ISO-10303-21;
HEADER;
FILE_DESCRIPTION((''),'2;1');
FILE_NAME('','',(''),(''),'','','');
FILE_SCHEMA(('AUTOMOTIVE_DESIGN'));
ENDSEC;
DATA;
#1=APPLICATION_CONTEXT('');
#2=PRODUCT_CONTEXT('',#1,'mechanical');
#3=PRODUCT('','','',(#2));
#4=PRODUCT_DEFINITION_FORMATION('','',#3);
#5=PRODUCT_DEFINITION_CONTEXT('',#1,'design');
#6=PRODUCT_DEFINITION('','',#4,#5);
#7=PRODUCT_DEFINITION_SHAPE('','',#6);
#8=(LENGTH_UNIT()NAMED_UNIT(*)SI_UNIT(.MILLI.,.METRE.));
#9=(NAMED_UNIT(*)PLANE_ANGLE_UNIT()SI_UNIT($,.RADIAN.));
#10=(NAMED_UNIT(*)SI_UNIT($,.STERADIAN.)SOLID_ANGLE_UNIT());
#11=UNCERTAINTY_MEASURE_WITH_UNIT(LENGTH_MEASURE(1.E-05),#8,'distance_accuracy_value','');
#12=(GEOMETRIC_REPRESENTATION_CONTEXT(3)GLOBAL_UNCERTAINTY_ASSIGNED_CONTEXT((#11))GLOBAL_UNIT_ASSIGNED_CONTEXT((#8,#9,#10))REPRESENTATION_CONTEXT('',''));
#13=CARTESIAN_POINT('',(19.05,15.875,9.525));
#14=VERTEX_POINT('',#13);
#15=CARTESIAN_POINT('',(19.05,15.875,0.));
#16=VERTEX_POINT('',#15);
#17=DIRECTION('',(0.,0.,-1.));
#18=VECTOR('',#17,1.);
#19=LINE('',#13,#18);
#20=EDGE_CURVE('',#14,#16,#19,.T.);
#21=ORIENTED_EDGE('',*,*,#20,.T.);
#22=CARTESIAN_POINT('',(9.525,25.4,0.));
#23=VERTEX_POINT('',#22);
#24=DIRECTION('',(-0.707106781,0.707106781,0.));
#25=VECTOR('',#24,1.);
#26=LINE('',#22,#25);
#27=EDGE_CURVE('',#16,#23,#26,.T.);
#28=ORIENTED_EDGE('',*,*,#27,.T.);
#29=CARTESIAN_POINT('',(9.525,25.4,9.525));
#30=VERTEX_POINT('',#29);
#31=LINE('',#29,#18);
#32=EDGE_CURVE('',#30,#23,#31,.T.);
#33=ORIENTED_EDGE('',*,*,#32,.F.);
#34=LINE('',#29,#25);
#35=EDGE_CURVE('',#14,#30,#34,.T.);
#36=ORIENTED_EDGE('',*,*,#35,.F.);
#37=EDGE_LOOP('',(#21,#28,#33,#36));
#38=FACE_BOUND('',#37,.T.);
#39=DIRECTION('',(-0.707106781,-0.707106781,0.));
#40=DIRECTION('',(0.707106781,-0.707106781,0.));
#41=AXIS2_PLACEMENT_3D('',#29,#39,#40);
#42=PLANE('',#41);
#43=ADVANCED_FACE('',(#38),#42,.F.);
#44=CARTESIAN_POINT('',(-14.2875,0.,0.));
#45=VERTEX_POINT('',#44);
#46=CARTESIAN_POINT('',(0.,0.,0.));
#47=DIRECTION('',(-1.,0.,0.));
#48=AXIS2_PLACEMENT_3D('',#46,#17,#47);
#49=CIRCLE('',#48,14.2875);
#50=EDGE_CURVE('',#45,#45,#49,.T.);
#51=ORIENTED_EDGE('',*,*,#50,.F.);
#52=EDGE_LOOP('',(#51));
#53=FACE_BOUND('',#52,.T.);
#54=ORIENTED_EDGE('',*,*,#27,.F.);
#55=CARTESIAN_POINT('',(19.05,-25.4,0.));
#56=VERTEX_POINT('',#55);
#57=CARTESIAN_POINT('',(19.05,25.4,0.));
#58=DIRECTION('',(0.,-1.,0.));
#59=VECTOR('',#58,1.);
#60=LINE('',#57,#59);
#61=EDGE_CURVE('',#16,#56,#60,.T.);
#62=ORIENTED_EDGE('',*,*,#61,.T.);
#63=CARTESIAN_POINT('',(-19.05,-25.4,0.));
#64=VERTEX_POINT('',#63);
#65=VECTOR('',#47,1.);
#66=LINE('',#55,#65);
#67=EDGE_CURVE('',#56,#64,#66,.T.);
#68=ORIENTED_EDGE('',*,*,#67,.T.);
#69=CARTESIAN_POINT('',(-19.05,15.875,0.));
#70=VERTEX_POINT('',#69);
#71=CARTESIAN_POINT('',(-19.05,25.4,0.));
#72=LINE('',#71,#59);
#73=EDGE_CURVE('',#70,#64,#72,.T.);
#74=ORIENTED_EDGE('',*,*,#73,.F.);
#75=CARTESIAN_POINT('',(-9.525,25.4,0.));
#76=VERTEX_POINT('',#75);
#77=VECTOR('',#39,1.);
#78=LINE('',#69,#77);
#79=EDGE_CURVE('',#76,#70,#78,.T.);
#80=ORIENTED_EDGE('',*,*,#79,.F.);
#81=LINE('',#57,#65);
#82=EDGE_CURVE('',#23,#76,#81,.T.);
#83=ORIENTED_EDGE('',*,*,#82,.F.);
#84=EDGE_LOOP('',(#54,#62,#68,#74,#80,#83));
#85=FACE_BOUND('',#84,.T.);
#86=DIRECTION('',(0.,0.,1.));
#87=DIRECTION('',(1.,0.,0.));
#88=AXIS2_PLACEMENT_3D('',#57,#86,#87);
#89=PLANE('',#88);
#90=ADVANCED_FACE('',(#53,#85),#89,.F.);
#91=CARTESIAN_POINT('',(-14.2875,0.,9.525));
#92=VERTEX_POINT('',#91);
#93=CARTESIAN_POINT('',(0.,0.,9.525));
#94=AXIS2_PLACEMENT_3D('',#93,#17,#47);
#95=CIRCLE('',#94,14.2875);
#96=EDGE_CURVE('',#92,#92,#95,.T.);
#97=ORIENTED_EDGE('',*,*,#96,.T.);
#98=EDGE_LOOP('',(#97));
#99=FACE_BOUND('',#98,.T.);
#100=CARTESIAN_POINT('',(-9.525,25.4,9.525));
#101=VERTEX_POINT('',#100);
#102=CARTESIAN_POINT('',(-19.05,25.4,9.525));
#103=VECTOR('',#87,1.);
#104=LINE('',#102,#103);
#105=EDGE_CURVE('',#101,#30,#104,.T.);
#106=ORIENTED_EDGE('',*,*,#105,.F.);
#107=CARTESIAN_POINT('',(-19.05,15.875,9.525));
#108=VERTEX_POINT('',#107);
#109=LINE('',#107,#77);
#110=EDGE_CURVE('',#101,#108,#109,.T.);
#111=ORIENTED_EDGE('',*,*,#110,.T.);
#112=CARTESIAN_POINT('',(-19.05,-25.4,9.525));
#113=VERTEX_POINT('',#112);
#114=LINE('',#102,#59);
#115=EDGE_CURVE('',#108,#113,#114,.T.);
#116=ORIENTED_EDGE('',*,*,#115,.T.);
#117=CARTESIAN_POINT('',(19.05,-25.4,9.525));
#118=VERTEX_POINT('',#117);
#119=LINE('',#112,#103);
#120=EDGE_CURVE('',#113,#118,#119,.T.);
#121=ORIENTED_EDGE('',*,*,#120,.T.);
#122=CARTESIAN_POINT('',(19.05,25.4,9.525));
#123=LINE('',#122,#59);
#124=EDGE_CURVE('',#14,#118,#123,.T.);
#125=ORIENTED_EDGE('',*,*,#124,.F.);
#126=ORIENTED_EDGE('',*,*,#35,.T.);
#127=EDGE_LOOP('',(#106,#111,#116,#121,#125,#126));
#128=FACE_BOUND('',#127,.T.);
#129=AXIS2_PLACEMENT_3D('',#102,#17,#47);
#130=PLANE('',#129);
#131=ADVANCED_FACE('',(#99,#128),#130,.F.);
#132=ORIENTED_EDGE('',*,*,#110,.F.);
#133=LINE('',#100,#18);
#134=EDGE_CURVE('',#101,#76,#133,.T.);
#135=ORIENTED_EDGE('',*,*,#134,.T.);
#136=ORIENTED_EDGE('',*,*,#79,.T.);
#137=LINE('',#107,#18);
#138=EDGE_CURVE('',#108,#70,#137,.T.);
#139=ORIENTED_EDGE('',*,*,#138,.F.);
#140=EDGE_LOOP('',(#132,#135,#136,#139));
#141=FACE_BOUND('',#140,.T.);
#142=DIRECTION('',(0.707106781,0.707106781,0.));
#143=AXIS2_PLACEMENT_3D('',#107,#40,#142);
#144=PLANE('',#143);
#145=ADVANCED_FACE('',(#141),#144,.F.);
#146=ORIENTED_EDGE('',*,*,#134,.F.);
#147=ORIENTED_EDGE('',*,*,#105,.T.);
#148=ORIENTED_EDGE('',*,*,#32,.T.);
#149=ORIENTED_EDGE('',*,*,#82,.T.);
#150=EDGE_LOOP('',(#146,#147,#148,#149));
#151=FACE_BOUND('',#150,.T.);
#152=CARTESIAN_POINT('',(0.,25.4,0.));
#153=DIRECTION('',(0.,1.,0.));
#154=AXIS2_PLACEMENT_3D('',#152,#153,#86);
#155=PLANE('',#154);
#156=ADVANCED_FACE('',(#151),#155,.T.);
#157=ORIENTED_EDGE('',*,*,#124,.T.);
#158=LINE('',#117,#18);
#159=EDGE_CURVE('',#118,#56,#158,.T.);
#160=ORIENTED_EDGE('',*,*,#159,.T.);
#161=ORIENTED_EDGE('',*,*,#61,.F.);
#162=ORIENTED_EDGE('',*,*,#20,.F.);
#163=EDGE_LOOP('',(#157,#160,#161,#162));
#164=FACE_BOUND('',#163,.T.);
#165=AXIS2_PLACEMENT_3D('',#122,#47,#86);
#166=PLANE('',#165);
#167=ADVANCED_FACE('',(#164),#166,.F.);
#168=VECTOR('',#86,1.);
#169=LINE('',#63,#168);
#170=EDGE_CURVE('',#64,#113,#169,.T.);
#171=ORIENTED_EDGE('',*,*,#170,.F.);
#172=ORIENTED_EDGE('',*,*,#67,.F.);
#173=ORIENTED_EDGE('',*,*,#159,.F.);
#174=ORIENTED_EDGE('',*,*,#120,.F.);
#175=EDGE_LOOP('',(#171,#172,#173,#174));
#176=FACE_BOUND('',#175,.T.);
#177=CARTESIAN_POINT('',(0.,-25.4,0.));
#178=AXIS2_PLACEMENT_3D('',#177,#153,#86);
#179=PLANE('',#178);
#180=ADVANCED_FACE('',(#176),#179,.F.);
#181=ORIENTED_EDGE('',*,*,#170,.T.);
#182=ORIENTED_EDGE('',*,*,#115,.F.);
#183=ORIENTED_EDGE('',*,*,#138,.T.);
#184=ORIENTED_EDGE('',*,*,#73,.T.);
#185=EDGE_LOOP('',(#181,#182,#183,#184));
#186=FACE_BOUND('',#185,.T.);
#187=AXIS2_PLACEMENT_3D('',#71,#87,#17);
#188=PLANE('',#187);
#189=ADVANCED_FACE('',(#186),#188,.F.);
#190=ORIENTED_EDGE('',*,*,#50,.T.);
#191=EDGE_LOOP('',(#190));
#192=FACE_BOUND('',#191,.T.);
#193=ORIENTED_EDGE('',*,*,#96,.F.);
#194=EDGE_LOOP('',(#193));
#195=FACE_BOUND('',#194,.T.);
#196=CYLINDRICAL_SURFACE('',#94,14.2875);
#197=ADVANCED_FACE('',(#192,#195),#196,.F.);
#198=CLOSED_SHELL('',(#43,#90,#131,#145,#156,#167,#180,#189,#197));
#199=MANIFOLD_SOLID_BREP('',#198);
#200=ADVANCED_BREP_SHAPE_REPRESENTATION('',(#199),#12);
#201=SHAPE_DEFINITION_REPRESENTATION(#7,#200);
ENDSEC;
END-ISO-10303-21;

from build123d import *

# Parameters (mm, degrees)
SKETCH1_W           = 38.1
SKETCH1_H           = 9.525
BOSS_EXTRUDE1_DEPTH = 25.4
SKETCH3_R           = 14.2875
CUT_EXTRUDE1_DEPTH  = 34.147973166
CUT_EXTRUDE2_DEPTH  = 34.147973166


with BuildPart() as part:
    # Sketch1 → Boss-Extrude1 (new, symmetric)
    with BuildSketch(Plane(origin=(0, 0, 0), x_dir=(1, 0, 0), z_dir=(0, 1, 0))):
        with Locations((0, -4.7625)):
            Rectangle(SKETCH1_W, SKETCH1_H)
    extrude(amount=BOSS_EXTRUDE1_DEPTH, both=True)

    # Sketch3 → Cut-Extrude1 (cut, through all)
    with BuildSketch(Plane(origin=(0, 0, 0), x_dir=(-1, 0, 0), z_dir=(0, 0, -1))):
        Circle(SKETCH3_R)
    extrude(amount=-CUT_EXTRUDE1_DEPTH, mode=Mode.SUBTRACT)

    # Sketch4 → Cut-Extrude2 (cut, through all)
    with BuildSketch(Plane(origin=(0, 0, 0), x_dir=(-1, 0, 0), z_dir=(0, 0, -1))):
        Polygon((-9.525, 25.4), (-19.05, 15.875), (-19.05, 25.4), align=None)
        Polygon((9.525, 25.4), (19.05, 25.4), (19.05, 15.875), align=None)
    extrude(amount=-CUT_EXTRUDE2_DEPTH, mode=Mode.SUBTRACT)


solid = part.part
